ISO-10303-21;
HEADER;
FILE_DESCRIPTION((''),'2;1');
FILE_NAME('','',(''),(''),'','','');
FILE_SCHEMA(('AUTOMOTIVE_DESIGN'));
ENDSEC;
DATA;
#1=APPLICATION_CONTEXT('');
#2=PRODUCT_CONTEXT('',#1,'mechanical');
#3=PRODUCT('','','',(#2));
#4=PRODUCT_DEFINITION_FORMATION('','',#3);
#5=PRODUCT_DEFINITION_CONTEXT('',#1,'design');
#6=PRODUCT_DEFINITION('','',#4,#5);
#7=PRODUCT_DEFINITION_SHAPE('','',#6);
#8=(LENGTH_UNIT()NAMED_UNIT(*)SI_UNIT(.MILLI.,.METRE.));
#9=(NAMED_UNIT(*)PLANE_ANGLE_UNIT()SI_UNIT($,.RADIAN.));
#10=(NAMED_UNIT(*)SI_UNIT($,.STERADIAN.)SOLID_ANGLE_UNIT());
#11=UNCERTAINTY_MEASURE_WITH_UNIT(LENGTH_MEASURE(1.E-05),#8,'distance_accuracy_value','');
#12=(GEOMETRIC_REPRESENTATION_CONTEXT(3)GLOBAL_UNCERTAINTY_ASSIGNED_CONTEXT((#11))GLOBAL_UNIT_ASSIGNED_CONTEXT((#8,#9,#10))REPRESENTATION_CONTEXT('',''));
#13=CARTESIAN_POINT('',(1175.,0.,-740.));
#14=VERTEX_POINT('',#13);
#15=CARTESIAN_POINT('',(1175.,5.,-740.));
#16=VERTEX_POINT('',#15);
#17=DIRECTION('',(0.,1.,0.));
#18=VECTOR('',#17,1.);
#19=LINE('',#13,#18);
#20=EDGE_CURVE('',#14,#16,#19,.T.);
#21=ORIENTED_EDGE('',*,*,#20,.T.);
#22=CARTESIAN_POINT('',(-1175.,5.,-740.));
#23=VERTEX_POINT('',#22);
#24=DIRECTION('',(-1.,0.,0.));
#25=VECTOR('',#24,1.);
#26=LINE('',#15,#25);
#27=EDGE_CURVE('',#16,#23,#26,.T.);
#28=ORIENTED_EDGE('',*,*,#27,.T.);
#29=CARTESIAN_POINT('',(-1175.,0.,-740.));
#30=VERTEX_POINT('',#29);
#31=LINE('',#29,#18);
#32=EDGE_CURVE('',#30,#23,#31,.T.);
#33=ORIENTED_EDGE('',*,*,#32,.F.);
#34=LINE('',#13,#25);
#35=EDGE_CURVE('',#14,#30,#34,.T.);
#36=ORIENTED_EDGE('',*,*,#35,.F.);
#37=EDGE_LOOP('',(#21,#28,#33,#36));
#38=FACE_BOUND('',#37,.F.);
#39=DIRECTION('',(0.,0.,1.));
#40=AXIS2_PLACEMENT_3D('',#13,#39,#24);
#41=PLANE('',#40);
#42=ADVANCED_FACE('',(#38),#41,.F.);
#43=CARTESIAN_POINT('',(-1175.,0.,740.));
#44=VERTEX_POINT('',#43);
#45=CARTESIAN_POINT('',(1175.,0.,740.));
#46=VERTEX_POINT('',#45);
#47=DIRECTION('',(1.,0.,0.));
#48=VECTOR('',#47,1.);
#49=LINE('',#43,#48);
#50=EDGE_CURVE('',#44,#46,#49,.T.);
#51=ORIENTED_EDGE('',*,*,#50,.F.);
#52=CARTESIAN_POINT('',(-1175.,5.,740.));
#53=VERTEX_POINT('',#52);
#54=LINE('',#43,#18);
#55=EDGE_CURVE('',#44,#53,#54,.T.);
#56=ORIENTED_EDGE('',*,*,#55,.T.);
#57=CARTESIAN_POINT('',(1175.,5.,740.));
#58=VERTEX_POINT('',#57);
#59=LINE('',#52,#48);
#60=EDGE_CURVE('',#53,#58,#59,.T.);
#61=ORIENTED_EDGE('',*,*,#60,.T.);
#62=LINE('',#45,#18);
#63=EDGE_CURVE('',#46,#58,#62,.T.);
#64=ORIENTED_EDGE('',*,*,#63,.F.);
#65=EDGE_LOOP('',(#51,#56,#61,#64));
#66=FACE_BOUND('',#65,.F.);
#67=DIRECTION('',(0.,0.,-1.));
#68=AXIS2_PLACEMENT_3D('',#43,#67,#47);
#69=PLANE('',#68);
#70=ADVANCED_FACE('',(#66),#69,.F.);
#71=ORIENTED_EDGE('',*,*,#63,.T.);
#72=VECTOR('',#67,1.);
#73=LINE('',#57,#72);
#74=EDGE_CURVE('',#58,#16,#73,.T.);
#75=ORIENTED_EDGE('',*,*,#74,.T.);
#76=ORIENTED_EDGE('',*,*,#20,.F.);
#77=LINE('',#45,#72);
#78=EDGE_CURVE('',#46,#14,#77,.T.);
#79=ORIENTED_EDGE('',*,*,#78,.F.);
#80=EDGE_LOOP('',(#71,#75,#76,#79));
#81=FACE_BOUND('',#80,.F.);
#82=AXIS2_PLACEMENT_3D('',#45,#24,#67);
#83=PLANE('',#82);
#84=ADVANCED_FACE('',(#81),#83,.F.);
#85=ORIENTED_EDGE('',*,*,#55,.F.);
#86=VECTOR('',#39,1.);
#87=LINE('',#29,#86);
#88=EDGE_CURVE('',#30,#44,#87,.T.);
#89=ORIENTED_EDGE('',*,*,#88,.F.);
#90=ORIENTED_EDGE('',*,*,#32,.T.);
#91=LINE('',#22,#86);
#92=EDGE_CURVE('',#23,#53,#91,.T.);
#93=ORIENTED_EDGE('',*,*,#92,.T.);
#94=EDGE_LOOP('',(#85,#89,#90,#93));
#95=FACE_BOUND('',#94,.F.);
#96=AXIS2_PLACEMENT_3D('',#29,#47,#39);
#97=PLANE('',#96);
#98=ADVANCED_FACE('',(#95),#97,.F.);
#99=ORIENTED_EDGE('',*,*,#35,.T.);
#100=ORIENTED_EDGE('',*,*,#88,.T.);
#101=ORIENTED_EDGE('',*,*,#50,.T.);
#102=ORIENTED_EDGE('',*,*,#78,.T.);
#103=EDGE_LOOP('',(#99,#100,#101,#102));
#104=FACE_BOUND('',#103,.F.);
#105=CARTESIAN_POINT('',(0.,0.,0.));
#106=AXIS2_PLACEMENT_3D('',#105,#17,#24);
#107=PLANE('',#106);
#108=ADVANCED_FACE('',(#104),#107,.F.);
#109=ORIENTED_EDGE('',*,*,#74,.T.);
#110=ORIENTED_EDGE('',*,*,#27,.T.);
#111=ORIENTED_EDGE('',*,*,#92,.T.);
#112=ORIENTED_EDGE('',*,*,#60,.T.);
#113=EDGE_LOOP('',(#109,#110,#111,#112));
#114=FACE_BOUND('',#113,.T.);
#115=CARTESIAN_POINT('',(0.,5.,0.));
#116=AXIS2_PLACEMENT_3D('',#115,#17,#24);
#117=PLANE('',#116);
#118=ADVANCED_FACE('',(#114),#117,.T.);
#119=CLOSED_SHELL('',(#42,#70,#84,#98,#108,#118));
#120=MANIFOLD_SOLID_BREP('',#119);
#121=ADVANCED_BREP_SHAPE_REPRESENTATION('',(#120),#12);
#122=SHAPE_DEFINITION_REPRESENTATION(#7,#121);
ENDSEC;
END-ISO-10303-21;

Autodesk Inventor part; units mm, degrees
ref_plane "YZ Plane" through (0, 0, 0) normal (1, 0, 0) x (0, 1, 0)
ref_plane "XZ Plane" through (0, 0, 0) normal (0, 1, 0) x (-1, 0, 0)
ref_plane "XY Plane" through (0, 0, 0) normal (0, 0, 1) x (1, 0, 0)
sketch "Эскиз1" plane through (0, 0, 0) normal (0, 1, 0) x (-1, 0, 0)
  line L0 (1175, 740) -> (-1175, 740)
  line L1 (-1175, 740) -> (-1175, -740)
  line L2 (-1175, -740) -> (1175, -740)
  line L3 (1175, -740) -> (1175, 740)
  line L4 (1175, 740) -> (-1175, -740) construction
  line L5 (-1175, 740) -> (1175, -740) construction
  point P0 (0, 0)
  dimension "d0" = 2350
  dimension "d1" = 1480
extrude "Пластина1" add sketch "Эскиз1" along normal blind 5
equation "\"d2\" = Толщина"
equation "\"Радиус_гибки\" = Толщина"
equation "\"Ширина_просечки\" = Толщина"
equation "\"Глубина_просечки\" = 0.5 * Толщина"
equation "\"Радиус_перехода\" = Радиус_гибки"
equation "\"Радиус_Якоби\" = Радиус_гибки"
equation "\"Размер_зазора\" = Толщина"
equation "\"Толщина\" = 5"
properties part number "GBK bottom 0231" material "Steel"
